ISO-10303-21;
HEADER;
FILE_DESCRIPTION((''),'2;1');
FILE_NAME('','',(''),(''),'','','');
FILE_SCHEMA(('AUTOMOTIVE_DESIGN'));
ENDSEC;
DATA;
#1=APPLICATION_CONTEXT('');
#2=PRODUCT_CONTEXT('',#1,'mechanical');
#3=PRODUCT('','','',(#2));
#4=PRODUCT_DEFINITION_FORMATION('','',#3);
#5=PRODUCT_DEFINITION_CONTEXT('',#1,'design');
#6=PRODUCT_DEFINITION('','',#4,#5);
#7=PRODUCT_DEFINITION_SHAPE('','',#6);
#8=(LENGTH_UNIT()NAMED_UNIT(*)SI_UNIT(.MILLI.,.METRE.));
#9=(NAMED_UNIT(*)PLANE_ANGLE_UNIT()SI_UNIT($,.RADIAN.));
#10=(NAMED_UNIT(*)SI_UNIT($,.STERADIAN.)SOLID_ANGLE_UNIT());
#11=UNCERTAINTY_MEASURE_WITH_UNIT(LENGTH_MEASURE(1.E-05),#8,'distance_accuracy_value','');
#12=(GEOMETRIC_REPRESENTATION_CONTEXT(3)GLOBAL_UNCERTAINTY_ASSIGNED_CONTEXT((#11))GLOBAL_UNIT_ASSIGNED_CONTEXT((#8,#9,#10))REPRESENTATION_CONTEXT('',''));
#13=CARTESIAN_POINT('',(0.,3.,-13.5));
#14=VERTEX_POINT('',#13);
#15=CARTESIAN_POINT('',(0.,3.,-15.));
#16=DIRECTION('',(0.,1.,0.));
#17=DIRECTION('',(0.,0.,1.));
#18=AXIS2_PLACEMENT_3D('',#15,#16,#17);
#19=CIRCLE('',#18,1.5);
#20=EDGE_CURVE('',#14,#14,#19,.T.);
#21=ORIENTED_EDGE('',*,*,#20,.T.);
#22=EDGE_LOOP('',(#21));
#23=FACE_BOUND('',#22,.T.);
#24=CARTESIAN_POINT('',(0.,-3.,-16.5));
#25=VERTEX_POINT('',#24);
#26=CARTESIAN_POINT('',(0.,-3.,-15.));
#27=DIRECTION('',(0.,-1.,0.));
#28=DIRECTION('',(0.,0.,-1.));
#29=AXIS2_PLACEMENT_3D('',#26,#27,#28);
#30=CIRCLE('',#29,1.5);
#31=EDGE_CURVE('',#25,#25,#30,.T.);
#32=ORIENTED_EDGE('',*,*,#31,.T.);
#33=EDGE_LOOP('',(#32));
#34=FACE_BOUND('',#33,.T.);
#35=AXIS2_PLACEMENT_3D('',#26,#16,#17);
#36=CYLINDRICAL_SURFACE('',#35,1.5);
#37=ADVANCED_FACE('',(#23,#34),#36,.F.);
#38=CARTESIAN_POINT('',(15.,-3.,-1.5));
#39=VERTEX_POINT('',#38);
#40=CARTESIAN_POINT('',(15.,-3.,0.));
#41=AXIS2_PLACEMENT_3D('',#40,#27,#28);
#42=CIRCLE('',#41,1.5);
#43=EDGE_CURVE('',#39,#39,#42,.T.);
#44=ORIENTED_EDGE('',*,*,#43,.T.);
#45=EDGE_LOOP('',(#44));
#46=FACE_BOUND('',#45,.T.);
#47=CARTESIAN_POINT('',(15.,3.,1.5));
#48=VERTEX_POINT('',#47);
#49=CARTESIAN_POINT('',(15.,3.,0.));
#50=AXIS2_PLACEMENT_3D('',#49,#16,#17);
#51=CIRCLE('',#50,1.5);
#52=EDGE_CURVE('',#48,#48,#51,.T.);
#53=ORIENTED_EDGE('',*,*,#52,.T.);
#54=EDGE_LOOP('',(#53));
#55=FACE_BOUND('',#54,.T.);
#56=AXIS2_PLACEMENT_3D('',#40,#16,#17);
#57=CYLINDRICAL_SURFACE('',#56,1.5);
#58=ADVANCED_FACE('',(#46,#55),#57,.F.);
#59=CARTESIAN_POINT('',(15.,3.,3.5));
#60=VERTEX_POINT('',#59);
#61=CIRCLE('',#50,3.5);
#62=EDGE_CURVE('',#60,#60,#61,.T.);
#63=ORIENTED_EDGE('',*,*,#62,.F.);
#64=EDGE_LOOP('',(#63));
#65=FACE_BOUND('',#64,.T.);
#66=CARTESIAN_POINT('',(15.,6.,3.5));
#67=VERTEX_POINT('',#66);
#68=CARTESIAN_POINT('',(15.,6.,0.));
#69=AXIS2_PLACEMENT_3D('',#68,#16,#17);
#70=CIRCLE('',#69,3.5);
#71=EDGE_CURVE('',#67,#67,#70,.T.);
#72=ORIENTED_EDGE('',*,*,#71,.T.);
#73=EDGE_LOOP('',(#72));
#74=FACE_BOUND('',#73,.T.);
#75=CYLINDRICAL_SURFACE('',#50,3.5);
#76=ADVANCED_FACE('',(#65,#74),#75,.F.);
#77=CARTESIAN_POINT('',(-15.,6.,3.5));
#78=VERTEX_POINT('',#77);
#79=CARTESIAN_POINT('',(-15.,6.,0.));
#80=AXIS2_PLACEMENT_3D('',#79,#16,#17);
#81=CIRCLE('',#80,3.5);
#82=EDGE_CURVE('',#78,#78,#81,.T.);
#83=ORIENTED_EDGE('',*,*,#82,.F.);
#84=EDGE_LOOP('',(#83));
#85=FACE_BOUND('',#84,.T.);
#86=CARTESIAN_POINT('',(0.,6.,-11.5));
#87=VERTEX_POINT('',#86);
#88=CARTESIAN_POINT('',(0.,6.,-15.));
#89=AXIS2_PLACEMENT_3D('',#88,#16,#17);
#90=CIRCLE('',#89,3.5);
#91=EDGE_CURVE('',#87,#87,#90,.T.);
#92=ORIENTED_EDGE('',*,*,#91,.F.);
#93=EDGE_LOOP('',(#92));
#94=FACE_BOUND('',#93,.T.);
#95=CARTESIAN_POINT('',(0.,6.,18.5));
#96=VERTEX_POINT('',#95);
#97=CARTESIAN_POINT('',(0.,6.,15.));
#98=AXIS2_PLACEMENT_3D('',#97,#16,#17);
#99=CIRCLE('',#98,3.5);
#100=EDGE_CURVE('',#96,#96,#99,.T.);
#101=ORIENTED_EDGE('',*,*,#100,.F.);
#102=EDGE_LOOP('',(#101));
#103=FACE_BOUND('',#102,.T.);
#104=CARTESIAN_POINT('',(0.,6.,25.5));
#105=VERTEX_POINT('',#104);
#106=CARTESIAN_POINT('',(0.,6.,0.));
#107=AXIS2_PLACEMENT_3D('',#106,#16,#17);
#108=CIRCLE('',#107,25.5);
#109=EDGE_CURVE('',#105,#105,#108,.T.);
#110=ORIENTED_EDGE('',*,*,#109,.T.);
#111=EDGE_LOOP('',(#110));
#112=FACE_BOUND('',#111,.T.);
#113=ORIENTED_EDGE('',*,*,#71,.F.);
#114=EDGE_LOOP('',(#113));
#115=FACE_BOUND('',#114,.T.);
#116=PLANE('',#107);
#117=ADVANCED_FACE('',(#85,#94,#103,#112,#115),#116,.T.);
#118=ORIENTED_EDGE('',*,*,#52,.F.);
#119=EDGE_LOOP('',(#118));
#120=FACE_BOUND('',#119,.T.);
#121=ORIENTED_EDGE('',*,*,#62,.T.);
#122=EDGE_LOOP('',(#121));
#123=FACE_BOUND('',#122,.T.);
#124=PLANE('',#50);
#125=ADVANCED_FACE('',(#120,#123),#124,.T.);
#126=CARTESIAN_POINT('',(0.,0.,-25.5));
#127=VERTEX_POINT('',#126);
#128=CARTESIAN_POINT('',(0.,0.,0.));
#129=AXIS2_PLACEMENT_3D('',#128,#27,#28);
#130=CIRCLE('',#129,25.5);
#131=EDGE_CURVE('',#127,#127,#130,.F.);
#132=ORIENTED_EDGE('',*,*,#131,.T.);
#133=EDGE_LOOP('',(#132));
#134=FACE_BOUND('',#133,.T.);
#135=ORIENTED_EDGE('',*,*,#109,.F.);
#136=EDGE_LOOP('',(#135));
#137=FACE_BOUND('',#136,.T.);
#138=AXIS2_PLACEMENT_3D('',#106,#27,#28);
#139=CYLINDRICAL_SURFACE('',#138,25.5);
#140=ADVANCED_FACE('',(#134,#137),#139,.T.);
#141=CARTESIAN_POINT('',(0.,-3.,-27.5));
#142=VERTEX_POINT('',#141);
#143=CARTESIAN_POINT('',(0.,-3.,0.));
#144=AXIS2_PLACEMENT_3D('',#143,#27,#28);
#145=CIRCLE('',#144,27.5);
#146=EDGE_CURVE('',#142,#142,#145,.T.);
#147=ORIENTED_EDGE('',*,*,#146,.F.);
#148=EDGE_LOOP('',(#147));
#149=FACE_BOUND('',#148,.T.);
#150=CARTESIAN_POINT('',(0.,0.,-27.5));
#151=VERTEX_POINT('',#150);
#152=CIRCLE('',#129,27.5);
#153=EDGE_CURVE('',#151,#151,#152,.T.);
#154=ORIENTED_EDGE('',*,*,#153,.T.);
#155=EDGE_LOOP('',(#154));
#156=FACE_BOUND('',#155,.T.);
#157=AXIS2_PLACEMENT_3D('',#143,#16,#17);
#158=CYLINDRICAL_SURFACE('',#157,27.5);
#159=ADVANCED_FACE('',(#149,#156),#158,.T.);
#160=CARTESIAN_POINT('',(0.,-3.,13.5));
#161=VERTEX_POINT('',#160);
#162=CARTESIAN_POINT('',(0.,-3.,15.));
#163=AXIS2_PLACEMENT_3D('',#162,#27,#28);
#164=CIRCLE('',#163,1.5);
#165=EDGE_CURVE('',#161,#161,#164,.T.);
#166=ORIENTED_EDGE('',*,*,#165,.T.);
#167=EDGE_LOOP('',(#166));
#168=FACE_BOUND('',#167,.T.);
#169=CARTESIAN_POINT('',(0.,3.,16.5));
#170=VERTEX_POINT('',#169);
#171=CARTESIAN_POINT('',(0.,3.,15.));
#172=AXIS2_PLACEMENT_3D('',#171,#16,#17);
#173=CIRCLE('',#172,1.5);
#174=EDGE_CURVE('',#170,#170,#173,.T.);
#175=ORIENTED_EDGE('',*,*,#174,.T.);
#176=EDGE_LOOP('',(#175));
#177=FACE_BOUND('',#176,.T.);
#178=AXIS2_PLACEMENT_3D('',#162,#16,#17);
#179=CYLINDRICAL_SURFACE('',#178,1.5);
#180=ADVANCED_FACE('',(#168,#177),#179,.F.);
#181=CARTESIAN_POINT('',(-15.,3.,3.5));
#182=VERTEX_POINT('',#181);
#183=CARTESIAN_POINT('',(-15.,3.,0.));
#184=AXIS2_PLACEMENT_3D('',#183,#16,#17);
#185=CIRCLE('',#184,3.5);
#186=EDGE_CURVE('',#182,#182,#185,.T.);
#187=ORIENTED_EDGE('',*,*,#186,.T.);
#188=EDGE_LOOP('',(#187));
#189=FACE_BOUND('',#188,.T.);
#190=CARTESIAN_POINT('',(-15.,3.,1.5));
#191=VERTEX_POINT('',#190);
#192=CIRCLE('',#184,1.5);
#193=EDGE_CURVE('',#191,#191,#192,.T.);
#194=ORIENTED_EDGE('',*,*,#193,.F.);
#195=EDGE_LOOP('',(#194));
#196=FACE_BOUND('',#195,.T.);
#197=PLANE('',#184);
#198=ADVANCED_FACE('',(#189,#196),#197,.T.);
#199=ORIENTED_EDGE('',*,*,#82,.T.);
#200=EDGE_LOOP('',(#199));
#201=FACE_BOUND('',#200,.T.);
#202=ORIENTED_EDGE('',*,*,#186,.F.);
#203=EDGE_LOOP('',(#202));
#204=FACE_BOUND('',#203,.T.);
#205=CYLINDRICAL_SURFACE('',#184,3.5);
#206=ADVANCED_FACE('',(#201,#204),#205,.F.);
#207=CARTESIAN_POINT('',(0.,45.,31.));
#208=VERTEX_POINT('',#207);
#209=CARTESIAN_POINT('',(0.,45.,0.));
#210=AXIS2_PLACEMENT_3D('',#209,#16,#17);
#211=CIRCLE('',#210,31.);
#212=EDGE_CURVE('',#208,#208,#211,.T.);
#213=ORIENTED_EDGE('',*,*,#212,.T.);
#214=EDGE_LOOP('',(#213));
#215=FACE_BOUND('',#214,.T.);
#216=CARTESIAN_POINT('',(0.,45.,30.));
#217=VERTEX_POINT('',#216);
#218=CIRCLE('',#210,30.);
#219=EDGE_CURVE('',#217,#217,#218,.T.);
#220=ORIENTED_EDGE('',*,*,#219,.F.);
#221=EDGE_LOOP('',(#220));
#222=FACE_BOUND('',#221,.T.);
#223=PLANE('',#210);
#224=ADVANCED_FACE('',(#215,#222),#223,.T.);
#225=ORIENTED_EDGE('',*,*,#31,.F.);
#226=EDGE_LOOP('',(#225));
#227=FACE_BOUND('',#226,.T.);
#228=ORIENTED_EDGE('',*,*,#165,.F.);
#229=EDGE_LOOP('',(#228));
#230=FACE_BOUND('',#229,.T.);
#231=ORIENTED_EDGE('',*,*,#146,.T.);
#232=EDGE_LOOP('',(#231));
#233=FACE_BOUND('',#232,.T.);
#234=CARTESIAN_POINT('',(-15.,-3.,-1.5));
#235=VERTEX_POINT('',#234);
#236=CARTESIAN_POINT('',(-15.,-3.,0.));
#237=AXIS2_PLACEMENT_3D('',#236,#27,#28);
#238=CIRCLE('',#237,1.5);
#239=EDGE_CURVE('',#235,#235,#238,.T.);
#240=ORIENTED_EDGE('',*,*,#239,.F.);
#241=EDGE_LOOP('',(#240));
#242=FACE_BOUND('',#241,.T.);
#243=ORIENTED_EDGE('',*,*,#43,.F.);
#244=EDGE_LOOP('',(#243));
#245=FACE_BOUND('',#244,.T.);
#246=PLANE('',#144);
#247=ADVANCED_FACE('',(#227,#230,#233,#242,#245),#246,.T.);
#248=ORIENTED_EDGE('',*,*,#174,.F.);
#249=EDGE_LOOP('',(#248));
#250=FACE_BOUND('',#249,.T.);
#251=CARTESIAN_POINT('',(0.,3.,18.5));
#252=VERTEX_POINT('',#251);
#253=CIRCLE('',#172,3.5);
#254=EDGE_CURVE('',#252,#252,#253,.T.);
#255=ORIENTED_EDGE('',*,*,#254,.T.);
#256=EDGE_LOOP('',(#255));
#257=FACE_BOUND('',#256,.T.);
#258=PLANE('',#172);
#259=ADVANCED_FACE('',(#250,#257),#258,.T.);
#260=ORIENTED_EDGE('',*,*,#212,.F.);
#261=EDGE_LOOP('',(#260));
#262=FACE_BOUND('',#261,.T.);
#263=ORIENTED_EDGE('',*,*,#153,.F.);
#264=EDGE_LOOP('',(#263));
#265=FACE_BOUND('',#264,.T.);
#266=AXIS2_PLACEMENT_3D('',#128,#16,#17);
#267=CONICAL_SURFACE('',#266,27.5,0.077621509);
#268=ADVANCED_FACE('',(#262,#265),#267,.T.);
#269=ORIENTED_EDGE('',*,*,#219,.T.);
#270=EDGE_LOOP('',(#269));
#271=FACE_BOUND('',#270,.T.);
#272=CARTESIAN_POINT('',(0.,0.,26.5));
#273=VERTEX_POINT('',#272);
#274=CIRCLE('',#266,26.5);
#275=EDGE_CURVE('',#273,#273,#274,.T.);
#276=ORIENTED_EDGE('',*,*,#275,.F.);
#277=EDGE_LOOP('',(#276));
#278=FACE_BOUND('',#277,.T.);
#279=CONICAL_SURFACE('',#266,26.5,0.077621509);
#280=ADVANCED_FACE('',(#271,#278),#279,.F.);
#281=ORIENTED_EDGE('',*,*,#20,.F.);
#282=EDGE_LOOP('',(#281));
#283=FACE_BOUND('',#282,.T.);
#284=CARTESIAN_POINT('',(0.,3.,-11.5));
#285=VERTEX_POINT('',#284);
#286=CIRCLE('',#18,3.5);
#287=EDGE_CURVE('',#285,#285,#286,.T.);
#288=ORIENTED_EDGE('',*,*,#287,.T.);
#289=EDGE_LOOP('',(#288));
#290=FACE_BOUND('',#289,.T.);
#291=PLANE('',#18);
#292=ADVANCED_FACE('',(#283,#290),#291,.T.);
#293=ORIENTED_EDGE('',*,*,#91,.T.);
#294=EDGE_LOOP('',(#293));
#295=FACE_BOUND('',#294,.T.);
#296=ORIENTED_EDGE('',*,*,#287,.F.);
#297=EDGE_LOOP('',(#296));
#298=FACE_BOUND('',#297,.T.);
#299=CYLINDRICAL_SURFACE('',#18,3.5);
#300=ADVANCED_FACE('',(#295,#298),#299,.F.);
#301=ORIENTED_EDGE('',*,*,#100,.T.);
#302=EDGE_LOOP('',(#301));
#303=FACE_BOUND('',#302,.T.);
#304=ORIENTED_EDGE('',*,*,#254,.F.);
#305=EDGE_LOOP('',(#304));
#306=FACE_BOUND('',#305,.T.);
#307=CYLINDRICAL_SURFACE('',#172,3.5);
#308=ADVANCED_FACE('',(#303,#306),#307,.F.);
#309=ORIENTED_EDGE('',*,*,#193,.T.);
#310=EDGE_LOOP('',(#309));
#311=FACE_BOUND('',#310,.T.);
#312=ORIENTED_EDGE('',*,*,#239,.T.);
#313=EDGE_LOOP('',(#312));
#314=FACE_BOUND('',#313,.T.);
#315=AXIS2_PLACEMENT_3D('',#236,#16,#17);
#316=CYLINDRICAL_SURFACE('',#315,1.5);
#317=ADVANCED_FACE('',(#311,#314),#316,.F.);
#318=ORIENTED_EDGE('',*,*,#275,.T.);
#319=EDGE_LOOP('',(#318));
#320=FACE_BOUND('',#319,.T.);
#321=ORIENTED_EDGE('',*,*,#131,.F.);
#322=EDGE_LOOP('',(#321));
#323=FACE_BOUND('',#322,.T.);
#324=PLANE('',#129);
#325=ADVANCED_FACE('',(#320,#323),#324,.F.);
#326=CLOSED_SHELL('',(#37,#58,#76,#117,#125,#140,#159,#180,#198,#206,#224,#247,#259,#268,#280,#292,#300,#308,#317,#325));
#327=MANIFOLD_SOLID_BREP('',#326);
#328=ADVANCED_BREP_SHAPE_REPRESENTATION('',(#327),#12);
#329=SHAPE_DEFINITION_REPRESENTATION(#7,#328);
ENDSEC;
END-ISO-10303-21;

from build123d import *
from build123d.topology import SkipClean

# Parameters (mm, degrees)
SKETCH1_R           = 27.5
SKETCH3_R           = 31
SKETCH3_4_R         = 30
SKETCH1_4_R         = 26.5
SKETCH4_R           = 27.5
SKETCH4_R_2         = 1.5
BOSS_EXTRUDE1_DEPTH = 3
BOSS_EXTRUDE2_START = 6
SKETCH6_R           = 25.5
SKETCH6_R_2         = 1.5
BOSS_EXTRUDE2_DEPTH = 6
SKETCH7_R           = 3.5
CUT_EXTRUDE1_DEPTH  = 3


with BuildPart() as part:
    # Sketch1 → Loft1 section 0
    with BuildSketch(Plane(origin=(0, 0, 0), x_dir=(1, 0, 0), z_dir=(0, 1, 0))):
        Circle(SKETCH1_R)
    # Sketch3 → Loft1 section 1
    with BuildSketch(Plane(origin=(0, 45, 0), x_dir=(1, 0, 0), z_dir=(0, 1, 0))):
        Circle(SKETCH3_R)
    loft()

    # Sketch3<4> → Cut-Loft1 section 0
    with BuildSketch(Plane(origin=(0, 45, 0), x_dir=(1, 0, 0), z_dir=(0, 1, 0))):
        Circle(SKETCH3_4_R)
    # Sketch1<4> → Cut-Loft1 section 1
    with BuildSketch(Plane(origin=(0, 0, 0), x_dir=(1, 0, 0), z_dir=(0, 1, 0))):
        Circle(SKETCH1_4_R)
    loft(mode=Mode.SUBTRACT)

    # Sketch4 → Boss-Extrude1 (add)
    with BuildSketch(Plane.XZ):
        with Locations(Location((0, 0, 0), (0, 0, 270))):
            Circle(SKETCH4_R)
        with Locations(Location((0, 15, 0), (0, 0, 270))):
            Circle(SKETCH4_R_2, mode=Mode.SUBTRACT)
        with Locations(Location((15, 0, 0), (0, 0, 270))):
            Circle(SKETCH4_R_2, mode=Mode.SUBTRACT)
        with Locations(Location((0, -15, 0), (0, 0, 270))):
            Circle(SKETCH4_R_2, mode=Mode.SUBTRACT)
        with Locations(Location((-15, 0, 0), (0, 0, 270))):
            Circle(SKETCH4_R_2, mode=Mode.SUBTRACT)
    extrude(amount=BOSS_EXTRUDE1_DEPTH)

    # Sketch6 → Boss-Extrude2 (add)
    with SkipClean():  # the faces are left unmerged after this step: merging them gives an invalid solid
        with BuildSketch(Plane(origin=(0, 0, 0), x_dir=(1, 0, 0), z_dir=(0, 1, 0)).offset(BOSS_EXTRUDE2_START)):
            with Locations(Location((0, 0, 0), (0, 0, 90))):
                Circle(SKETCH6_R)
            with Locations(Location((0, 15, 0), (0, 0, 270))):
                Circle(SKETCH6_R_2, mode=Mode.SUBTRACT)
            with Locations(Location((15, 0, 0), (0, 0, 270))):
                Circle(SKETCH6_R_2, mode=Mode.SUBTRACT)
            with Locations(Location((0, -15, 0), (0, 0, 270))):
                Circle(SKETCH6_R_2, mode=Mode.SUBTRACT)
            with Locations(Location((-15, 0, 0), (0, 0, 270))):
                Circle(SKETCH6_R_2, mode=Mode.SUBTRACT)
        extrude(amount=-BOSS_EXTRUDE2_DEPTH)

    # Sketch7 → Cut-Extrude1 (cut)
    with SkipClean():  # the faces are left unmerged after this step: merging them gives an invalid solid
        with BuildSketch(Plane(origin=(0, 6, 0), x_dir=(1, 0, 0), z_dir=(0, 1, 0))):
            with Locations(Location((0, 15, 0), (0, 0, 270))):
                Circle(SKETCH7_R)
            with Locations(Location((15, 0, 0), (0, 0, 270))):
                Circle(SKETCH7_R)
            with Locations(Location((0, -15, 0), (0, 0, 270))):
                Circle(SKETCH7_R)
            with Locations(Location((-15, 0, 0), (0, 0, 270))):
                Circle(SKETCH7_R)
        extrude(amount=-CUT_EXTRUDE1_DEPTH, mode=Mode.SUBTRACT)


solid = part.part
